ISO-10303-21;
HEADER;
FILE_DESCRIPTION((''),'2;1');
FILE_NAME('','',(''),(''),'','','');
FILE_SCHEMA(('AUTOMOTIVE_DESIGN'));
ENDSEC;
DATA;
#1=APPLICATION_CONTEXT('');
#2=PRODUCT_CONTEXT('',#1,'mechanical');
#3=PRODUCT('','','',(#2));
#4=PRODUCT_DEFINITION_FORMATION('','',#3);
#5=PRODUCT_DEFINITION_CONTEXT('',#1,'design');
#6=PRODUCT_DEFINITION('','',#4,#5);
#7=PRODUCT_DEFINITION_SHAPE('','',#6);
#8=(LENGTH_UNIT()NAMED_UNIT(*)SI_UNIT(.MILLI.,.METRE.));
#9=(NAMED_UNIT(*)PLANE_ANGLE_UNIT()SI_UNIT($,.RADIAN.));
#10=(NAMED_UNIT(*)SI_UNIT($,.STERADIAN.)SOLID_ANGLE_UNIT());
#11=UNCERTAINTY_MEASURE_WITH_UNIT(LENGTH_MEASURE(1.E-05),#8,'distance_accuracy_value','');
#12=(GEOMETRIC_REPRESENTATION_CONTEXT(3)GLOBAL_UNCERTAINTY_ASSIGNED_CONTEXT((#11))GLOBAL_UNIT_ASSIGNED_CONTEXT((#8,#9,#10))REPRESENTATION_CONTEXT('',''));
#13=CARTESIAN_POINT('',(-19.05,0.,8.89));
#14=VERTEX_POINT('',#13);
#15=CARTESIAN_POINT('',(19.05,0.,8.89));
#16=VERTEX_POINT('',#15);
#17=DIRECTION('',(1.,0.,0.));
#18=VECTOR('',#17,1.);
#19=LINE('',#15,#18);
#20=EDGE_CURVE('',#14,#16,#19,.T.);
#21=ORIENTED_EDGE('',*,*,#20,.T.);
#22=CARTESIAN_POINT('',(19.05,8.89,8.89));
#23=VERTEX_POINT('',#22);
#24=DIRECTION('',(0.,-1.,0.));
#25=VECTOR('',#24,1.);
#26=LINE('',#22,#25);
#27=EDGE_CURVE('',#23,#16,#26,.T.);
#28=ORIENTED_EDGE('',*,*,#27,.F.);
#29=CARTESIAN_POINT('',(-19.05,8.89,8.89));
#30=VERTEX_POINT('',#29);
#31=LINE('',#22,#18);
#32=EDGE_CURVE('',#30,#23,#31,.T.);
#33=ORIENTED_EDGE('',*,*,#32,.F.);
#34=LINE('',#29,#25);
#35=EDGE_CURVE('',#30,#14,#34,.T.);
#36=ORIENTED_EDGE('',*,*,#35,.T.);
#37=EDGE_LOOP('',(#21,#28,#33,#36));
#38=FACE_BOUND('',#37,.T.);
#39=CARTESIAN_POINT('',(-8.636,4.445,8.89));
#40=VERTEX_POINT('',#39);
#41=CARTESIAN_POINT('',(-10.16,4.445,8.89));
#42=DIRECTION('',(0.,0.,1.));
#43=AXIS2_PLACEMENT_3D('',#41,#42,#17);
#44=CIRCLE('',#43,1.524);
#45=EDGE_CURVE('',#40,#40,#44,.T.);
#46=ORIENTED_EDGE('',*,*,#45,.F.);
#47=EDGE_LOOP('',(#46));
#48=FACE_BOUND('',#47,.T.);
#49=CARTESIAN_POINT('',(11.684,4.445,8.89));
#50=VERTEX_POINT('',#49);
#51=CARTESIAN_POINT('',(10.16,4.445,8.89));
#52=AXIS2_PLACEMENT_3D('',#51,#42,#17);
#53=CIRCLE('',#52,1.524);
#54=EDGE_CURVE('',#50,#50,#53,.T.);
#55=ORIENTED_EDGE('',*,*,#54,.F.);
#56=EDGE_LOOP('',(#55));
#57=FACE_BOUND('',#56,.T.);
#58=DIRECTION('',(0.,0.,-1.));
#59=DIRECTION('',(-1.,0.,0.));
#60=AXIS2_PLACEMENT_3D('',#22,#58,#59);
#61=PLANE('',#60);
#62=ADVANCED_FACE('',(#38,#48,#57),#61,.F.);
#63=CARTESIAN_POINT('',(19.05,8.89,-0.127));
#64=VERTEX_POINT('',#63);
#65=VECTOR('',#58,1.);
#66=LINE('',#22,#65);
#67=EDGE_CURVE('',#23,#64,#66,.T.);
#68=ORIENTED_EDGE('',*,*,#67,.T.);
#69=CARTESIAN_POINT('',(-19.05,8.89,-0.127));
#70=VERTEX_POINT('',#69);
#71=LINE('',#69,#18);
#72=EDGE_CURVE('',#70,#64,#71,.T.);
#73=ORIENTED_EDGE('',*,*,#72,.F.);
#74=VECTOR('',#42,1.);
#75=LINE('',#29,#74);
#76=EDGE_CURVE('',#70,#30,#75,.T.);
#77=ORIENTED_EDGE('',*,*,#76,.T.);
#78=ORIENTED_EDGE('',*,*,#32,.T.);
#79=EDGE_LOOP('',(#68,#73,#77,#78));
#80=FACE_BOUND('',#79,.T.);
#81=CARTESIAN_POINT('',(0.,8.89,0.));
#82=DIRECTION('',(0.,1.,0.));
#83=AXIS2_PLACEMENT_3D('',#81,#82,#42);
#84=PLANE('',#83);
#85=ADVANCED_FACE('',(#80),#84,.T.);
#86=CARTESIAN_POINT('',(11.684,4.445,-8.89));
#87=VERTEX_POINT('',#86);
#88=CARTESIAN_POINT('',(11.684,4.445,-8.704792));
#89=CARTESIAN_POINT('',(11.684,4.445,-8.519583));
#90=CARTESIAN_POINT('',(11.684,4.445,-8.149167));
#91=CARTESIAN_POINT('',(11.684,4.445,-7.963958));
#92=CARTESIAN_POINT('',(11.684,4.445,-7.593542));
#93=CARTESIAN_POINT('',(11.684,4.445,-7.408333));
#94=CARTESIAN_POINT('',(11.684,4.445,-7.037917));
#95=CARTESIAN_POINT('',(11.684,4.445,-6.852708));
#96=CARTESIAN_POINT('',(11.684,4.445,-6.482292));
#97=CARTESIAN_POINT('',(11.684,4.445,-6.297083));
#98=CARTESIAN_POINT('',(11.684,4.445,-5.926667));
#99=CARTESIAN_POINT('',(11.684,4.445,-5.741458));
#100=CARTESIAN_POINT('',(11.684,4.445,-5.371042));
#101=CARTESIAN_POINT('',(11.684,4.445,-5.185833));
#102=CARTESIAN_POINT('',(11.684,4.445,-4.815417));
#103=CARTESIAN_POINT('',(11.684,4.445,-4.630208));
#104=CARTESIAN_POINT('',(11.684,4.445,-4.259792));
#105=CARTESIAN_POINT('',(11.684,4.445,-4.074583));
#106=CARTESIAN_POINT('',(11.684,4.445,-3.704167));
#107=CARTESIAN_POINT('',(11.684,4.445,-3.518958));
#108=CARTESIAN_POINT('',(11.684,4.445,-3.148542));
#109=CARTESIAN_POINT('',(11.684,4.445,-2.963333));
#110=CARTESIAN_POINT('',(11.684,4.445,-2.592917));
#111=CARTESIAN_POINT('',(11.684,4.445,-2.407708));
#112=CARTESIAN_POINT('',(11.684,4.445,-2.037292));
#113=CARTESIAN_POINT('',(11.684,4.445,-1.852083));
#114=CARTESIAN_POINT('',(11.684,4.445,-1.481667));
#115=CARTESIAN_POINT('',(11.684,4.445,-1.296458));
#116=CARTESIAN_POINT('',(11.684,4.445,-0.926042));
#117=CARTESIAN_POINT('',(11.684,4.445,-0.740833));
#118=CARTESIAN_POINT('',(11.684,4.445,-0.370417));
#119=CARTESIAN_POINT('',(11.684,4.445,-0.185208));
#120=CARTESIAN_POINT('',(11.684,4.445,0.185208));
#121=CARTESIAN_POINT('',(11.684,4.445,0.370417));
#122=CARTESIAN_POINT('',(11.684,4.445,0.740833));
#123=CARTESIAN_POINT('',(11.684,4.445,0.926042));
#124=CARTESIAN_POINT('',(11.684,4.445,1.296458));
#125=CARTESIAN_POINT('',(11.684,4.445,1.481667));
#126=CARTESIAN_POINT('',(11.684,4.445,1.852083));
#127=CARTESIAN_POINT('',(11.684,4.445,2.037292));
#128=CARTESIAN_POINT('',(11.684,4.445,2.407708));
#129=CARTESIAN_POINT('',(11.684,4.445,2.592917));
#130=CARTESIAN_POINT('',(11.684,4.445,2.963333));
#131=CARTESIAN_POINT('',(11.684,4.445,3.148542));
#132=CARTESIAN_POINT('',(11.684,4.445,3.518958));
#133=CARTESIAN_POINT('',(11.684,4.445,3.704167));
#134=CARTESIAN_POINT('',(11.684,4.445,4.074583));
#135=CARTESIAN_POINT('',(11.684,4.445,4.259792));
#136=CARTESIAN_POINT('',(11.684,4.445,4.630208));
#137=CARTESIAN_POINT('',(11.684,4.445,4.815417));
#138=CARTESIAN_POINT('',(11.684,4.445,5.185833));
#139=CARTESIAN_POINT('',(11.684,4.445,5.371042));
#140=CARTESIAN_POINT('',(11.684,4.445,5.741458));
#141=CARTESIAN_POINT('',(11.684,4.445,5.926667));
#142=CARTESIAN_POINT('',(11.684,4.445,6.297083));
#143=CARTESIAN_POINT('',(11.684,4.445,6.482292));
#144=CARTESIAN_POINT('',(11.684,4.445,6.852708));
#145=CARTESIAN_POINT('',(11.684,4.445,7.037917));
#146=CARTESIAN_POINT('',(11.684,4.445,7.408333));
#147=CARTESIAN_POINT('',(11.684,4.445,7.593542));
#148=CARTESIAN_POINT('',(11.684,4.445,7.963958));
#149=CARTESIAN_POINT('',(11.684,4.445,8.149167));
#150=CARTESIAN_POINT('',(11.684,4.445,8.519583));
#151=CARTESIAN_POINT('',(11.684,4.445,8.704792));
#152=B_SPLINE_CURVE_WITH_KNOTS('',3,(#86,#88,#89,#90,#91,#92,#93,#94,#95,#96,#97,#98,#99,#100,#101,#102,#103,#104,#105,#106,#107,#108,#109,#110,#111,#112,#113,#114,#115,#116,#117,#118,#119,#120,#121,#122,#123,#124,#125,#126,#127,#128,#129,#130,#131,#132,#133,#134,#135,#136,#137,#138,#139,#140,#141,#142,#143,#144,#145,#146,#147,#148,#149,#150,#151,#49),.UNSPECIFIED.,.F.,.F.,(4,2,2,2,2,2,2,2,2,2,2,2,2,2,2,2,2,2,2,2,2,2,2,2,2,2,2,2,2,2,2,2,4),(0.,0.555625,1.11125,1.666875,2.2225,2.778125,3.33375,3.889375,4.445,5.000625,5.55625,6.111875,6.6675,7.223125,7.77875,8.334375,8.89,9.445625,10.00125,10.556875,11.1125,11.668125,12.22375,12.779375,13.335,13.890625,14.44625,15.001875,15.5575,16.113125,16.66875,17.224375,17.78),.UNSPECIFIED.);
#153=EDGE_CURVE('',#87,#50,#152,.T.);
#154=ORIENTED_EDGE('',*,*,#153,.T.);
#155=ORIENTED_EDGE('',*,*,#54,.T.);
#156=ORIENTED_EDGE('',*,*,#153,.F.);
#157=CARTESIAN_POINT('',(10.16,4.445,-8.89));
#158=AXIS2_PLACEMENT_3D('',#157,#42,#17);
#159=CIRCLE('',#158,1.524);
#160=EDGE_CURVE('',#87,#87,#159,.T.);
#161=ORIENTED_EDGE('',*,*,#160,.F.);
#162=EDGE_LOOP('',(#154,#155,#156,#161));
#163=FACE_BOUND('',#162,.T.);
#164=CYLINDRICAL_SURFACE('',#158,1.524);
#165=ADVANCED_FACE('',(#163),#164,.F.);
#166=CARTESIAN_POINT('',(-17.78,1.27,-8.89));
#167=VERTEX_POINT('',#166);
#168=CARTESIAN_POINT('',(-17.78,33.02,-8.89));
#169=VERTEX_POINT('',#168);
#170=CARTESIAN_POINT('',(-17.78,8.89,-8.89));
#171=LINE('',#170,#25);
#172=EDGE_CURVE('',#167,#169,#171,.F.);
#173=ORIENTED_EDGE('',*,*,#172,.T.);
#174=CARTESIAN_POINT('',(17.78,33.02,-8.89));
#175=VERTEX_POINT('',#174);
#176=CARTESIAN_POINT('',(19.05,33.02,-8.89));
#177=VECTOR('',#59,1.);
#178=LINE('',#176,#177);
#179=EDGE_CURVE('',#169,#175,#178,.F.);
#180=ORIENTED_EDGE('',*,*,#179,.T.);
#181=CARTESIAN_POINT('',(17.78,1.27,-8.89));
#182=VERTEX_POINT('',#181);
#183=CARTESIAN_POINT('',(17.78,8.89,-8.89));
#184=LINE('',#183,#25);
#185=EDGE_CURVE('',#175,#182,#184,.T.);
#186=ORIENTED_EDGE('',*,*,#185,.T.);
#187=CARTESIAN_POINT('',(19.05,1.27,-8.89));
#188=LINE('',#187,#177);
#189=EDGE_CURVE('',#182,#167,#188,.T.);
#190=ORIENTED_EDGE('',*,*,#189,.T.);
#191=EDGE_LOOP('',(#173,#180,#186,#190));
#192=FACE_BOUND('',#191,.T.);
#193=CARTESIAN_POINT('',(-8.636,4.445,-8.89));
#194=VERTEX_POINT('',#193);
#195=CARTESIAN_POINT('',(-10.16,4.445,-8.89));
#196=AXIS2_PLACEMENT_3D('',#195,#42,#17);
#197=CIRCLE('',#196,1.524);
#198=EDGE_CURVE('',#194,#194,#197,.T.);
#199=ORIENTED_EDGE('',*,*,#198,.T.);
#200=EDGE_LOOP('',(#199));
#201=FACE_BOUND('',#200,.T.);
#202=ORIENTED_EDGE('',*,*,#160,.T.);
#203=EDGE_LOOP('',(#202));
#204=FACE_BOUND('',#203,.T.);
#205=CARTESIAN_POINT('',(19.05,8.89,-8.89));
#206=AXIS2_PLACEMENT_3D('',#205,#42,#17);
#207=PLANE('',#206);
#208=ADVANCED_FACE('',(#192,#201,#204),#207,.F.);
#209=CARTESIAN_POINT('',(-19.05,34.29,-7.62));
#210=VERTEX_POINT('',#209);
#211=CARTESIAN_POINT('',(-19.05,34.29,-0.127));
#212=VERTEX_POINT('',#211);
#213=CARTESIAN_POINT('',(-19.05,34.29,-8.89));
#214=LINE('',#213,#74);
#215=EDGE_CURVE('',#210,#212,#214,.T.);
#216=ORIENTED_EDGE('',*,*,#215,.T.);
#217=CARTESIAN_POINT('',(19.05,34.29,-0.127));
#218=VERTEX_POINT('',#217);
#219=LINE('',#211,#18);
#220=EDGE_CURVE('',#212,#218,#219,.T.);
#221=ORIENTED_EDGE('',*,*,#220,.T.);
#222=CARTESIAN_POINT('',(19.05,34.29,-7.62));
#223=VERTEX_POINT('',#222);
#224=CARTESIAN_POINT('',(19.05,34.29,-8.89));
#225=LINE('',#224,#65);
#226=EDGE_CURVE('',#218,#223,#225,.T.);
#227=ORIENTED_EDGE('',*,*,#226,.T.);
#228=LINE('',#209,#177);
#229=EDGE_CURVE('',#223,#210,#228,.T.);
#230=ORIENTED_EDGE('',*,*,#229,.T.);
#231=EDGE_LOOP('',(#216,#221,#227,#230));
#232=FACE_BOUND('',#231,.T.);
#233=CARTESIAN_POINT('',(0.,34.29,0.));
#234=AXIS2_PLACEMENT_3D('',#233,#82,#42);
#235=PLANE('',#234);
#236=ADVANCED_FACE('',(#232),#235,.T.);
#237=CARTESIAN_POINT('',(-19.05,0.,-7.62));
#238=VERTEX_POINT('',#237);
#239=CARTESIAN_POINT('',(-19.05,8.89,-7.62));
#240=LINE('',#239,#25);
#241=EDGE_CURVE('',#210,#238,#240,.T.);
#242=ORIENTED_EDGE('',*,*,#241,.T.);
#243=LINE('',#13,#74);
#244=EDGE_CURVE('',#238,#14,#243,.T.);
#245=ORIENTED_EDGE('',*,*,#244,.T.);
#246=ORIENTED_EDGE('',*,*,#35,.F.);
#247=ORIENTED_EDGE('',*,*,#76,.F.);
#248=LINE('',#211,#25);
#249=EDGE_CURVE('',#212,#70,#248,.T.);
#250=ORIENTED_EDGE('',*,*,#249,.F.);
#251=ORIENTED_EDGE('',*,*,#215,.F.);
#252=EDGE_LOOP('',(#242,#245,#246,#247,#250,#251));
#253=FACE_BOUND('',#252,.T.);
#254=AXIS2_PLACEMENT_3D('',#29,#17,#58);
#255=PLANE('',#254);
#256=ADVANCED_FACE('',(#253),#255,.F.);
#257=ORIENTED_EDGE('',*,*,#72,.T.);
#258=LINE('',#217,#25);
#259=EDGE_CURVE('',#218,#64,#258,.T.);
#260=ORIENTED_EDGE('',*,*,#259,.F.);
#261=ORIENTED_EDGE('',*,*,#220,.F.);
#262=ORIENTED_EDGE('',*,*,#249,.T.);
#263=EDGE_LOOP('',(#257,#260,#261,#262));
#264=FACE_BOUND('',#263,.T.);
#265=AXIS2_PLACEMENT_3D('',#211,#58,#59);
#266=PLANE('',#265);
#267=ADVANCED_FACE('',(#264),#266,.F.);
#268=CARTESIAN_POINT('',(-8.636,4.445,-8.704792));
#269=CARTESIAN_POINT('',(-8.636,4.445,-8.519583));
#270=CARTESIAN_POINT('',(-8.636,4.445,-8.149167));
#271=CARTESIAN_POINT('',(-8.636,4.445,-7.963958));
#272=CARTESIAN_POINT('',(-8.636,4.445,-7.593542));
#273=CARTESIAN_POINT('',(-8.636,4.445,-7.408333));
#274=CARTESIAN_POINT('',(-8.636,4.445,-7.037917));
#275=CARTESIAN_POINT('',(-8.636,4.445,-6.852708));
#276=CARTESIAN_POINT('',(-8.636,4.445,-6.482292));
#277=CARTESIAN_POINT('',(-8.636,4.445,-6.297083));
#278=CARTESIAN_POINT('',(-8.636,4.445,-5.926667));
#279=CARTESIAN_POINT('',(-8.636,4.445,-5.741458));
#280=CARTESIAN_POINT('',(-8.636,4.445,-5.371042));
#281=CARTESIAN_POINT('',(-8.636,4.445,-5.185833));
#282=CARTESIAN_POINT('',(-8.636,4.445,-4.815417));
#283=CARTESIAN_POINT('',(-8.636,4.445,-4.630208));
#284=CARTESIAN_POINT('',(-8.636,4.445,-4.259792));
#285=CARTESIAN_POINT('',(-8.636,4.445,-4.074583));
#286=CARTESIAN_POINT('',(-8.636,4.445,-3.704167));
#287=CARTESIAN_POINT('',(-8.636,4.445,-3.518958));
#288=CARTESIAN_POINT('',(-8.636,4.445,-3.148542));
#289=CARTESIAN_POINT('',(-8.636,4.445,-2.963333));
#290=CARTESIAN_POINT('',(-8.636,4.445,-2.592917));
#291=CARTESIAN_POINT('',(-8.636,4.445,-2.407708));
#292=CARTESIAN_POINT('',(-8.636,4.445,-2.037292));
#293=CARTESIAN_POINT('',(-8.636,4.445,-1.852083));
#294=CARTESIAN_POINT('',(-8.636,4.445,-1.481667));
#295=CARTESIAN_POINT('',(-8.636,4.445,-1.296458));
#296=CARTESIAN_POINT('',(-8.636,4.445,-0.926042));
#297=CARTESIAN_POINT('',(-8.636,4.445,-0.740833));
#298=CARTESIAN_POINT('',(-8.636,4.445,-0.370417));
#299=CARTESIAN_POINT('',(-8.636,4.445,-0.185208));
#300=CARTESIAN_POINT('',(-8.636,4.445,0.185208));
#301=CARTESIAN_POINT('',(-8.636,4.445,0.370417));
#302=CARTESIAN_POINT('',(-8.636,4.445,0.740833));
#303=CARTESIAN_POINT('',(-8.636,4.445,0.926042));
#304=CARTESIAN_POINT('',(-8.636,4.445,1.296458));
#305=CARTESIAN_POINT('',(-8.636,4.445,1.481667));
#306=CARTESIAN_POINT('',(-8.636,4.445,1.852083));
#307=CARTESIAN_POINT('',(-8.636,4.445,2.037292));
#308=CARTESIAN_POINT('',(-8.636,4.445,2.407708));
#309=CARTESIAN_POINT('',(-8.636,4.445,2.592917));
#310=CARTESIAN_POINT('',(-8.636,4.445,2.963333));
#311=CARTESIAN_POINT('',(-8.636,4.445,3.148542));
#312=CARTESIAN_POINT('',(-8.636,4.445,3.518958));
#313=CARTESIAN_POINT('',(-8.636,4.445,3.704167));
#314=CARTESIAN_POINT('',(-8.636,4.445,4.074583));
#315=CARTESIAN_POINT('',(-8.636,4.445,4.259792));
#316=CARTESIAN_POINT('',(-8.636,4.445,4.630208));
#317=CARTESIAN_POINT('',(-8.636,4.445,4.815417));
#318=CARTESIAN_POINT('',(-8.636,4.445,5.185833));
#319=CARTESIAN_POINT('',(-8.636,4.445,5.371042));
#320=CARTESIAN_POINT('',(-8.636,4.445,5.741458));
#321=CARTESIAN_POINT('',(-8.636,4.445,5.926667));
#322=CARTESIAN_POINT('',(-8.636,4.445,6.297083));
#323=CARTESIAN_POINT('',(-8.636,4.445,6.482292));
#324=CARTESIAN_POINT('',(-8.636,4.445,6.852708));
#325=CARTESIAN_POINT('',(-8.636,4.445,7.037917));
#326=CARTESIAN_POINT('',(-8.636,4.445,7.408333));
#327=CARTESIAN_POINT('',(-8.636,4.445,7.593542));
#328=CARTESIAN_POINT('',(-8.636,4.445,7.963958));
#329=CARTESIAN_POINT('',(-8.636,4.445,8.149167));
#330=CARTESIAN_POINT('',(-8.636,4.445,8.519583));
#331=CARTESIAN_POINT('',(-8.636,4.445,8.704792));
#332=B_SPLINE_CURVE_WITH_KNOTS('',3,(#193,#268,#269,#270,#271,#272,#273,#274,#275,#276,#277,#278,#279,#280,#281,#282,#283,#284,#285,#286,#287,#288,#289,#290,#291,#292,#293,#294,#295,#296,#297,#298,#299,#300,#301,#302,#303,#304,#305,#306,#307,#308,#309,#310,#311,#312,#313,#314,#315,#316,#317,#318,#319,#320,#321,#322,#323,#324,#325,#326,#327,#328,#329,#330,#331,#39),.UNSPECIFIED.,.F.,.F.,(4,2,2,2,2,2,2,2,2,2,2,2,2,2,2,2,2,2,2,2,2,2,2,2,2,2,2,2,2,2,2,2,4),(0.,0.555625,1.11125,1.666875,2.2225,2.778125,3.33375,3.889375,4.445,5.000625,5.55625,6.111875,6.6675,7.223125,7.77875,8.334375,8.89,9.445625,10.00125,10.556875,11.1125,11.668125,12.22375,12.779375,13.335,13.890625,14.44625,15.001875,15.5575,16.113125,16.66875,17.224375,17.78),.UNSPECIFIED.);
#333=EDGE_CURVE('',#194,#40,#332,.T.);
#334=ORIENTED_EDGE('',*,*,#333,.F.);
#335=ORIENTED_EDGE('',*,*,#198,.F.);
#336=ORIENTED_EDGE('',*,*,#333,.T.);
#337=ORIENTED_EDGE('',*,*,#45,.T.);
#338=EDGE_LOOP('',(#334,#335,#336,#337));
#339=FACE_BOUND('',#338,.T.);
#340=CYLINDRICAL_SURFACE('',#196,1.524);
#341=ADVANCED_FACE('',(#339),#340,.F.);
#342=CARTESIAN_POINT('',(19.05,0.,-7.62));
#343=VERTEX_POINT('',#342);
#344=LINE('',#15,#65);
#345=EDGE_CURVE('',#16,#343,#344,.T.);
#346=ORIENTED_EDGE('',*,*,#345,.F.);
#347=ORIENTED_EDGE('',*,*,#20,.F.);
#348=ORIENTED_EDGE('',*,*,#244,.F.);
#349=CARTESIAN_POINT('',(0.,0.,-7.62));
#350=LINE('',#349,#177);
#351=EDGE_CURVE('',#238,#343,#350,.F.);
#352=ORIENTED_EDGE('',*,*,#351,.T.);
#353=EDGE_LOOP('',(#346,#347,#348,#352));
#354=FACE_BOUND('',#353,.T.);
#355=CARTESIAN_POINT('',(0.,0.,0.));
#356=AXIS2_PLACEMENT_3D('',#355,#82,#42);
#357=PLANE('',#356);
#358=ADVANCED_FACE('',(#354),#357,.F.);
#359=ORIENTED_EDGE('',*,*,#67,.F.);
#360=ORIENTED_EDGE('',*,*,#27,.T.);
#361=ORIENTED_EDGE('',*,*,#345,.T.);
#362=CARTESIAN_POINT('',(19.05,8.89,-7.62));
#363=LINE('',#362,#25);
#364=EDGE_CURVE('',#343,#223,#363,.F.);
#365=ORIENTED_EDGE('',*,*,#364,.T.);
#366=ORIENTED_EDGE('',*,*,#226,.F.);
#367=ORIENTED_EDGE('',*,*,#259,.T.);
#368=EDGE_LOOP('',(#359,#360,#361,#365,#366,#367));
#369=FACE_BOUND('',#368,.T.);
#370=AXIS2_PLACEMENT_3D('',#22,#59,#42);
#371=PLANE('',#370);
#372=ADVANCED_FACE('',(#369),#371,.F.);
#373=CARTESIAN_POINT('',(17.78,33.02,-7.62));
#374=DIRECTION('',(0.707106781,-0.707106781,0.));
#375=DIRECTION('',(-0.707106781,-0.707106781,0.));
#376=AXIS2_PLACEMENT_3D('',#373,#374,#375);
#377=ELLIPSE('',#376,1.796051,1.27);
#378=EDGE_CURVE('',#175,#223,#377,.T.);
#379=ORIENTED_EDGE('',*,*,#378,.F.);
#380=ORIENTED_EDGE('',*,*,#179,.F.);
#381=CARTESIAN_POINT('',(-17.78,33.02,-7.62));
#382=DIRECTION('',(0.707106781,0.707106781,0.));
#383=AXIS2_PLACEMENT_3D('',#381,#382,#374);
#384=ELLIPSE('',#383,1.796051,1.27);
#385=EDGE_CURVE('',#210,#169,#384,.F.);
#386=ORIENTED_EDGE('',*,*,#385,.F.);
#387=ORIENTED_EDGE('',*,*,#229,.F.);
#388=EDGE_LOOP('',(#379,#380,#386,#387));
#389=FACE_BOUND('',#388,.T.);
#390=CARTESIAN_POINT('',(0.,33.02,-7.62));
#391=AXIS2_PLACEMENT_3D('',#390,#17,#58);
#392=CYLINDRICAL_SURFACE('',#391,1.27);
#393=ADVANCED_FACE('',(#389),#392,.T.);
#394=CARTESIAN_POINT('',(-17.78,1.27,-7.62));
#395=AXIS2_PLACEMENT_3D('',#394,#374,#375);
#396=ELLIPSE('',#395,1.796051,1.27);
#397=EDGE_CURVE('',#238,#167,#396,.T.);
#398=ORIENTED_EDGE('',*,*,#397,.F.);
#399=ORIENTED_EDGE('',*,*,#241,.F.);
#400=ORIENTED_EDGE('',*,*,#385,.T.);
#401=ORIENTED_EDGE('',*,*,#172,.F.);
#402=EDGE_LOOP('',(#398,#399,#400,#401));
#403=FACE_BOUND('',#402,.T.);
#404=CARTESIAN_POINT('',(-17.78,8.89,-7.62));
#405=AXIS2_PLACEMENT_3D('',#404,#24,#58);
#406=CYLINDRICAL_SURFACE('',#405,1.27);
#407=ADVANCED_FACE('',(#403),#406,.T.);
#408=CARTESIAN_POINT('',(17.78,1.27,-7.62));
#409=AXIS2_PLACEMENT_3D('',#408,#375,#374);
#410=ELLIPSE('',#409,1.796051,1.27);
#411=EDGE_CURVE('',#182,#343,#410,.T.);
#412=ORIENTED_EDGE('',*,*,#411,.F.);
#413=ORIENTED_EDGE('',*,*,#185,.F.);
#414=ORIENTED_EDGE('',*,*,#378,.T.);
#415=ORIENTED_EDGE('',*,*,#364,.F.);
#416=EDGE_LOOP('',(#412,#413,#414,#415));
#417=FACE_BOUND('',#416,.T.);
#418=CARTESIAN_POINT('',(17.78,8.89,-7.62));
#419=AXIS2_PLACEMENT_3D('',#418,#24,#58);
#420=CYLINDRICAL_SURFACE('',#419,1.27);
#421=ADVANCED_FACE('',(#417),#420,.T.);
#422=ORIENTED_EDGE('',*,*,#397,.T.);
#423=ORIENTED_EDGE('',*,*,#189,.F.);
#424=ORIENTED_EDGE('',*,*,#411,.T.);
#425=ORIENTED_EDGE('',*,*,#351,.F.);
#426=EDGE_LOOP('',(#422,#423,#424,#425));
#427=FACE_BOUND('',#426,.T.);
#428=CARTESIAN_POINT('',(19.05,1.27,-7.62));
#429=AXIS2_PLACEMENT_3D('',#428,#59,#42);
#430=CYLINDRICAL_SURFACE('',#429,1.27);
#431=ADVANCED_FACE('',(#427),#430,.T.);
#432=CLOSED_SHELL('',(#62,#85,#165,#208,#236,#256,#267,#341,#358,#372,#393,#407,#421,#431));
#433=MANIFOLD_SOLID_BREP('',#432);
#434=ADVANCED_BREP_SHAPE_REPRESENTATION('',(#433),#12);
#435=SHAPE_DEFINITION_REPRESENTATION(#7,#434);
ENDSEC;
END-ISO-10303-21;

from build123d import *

# Parameters (mm, degrees)
SKETCH2_W           = 38.1
SKETCH2_H           = 17.78
BOSS_EXTRUDE1_DEPTH = 8.89
SKETCH3_W           = 38.1
SKETCH3_H           = 8.763
BOSS_EXTRUDE2_DEPTH = 25.4
SKETCH4_R           = 1.524
CUT_EXTRUDE1_DEPTH  = 44.067795393
FILLET1_R           = 1.27


with BuildPart() as part:
    # Sketch2 → Boss-Extrude1 (new body)
    with BuildSketch(Plane(origin=(0, 0, 0), x_dir=(1, 0, 0), z_dir=(0, 1, 0))):
        Rectangle(SKETCH2_W, SKETCH2_H)
    extrude(amount=BOSS_EXTRUDE1_DEPTH)

    # Sketch3 → Boss-Extrude2 (add)
    with BuildSketch(Plane(origin=(0, 8.89, 0), x_dir=(1, 0, 0), z_dir=(0, 1, 0))):
        with Locations((0, 4.5085)):
            Rectangle(SKETCH3_W, SKETCH3_H)
    extrude(amount=BOSS_EXTRUDE2_DEPTH)

    # Sketch4 → Cut-Extrude1 (cut, through all)
    with BuildSketch(Plane.XY.offset(8.89)):
        with Locations((-10.16, 4.445)):
            Circle(SKETCH4_R)
        with Locations((10.16, 4.445)):
            Circle(SKETCH4_R)
    extrude(amount=-CUT_EXTRUDE1_DEPTH, mode=Mode.SUBTRACT)

    # Fillet1
    fillet1_edges = [part.edges().sort_by_distance(p)[0] for p in [
        (0, 34.29, -8.89),
        (0, 0, -8.89),
        (-19.05, 17.145, -8.89),
        (19.05, 17.145, -8.89),
    ]]
    fillet(fillet1_edges, radius=FILLET1_R)


solid = part.part
